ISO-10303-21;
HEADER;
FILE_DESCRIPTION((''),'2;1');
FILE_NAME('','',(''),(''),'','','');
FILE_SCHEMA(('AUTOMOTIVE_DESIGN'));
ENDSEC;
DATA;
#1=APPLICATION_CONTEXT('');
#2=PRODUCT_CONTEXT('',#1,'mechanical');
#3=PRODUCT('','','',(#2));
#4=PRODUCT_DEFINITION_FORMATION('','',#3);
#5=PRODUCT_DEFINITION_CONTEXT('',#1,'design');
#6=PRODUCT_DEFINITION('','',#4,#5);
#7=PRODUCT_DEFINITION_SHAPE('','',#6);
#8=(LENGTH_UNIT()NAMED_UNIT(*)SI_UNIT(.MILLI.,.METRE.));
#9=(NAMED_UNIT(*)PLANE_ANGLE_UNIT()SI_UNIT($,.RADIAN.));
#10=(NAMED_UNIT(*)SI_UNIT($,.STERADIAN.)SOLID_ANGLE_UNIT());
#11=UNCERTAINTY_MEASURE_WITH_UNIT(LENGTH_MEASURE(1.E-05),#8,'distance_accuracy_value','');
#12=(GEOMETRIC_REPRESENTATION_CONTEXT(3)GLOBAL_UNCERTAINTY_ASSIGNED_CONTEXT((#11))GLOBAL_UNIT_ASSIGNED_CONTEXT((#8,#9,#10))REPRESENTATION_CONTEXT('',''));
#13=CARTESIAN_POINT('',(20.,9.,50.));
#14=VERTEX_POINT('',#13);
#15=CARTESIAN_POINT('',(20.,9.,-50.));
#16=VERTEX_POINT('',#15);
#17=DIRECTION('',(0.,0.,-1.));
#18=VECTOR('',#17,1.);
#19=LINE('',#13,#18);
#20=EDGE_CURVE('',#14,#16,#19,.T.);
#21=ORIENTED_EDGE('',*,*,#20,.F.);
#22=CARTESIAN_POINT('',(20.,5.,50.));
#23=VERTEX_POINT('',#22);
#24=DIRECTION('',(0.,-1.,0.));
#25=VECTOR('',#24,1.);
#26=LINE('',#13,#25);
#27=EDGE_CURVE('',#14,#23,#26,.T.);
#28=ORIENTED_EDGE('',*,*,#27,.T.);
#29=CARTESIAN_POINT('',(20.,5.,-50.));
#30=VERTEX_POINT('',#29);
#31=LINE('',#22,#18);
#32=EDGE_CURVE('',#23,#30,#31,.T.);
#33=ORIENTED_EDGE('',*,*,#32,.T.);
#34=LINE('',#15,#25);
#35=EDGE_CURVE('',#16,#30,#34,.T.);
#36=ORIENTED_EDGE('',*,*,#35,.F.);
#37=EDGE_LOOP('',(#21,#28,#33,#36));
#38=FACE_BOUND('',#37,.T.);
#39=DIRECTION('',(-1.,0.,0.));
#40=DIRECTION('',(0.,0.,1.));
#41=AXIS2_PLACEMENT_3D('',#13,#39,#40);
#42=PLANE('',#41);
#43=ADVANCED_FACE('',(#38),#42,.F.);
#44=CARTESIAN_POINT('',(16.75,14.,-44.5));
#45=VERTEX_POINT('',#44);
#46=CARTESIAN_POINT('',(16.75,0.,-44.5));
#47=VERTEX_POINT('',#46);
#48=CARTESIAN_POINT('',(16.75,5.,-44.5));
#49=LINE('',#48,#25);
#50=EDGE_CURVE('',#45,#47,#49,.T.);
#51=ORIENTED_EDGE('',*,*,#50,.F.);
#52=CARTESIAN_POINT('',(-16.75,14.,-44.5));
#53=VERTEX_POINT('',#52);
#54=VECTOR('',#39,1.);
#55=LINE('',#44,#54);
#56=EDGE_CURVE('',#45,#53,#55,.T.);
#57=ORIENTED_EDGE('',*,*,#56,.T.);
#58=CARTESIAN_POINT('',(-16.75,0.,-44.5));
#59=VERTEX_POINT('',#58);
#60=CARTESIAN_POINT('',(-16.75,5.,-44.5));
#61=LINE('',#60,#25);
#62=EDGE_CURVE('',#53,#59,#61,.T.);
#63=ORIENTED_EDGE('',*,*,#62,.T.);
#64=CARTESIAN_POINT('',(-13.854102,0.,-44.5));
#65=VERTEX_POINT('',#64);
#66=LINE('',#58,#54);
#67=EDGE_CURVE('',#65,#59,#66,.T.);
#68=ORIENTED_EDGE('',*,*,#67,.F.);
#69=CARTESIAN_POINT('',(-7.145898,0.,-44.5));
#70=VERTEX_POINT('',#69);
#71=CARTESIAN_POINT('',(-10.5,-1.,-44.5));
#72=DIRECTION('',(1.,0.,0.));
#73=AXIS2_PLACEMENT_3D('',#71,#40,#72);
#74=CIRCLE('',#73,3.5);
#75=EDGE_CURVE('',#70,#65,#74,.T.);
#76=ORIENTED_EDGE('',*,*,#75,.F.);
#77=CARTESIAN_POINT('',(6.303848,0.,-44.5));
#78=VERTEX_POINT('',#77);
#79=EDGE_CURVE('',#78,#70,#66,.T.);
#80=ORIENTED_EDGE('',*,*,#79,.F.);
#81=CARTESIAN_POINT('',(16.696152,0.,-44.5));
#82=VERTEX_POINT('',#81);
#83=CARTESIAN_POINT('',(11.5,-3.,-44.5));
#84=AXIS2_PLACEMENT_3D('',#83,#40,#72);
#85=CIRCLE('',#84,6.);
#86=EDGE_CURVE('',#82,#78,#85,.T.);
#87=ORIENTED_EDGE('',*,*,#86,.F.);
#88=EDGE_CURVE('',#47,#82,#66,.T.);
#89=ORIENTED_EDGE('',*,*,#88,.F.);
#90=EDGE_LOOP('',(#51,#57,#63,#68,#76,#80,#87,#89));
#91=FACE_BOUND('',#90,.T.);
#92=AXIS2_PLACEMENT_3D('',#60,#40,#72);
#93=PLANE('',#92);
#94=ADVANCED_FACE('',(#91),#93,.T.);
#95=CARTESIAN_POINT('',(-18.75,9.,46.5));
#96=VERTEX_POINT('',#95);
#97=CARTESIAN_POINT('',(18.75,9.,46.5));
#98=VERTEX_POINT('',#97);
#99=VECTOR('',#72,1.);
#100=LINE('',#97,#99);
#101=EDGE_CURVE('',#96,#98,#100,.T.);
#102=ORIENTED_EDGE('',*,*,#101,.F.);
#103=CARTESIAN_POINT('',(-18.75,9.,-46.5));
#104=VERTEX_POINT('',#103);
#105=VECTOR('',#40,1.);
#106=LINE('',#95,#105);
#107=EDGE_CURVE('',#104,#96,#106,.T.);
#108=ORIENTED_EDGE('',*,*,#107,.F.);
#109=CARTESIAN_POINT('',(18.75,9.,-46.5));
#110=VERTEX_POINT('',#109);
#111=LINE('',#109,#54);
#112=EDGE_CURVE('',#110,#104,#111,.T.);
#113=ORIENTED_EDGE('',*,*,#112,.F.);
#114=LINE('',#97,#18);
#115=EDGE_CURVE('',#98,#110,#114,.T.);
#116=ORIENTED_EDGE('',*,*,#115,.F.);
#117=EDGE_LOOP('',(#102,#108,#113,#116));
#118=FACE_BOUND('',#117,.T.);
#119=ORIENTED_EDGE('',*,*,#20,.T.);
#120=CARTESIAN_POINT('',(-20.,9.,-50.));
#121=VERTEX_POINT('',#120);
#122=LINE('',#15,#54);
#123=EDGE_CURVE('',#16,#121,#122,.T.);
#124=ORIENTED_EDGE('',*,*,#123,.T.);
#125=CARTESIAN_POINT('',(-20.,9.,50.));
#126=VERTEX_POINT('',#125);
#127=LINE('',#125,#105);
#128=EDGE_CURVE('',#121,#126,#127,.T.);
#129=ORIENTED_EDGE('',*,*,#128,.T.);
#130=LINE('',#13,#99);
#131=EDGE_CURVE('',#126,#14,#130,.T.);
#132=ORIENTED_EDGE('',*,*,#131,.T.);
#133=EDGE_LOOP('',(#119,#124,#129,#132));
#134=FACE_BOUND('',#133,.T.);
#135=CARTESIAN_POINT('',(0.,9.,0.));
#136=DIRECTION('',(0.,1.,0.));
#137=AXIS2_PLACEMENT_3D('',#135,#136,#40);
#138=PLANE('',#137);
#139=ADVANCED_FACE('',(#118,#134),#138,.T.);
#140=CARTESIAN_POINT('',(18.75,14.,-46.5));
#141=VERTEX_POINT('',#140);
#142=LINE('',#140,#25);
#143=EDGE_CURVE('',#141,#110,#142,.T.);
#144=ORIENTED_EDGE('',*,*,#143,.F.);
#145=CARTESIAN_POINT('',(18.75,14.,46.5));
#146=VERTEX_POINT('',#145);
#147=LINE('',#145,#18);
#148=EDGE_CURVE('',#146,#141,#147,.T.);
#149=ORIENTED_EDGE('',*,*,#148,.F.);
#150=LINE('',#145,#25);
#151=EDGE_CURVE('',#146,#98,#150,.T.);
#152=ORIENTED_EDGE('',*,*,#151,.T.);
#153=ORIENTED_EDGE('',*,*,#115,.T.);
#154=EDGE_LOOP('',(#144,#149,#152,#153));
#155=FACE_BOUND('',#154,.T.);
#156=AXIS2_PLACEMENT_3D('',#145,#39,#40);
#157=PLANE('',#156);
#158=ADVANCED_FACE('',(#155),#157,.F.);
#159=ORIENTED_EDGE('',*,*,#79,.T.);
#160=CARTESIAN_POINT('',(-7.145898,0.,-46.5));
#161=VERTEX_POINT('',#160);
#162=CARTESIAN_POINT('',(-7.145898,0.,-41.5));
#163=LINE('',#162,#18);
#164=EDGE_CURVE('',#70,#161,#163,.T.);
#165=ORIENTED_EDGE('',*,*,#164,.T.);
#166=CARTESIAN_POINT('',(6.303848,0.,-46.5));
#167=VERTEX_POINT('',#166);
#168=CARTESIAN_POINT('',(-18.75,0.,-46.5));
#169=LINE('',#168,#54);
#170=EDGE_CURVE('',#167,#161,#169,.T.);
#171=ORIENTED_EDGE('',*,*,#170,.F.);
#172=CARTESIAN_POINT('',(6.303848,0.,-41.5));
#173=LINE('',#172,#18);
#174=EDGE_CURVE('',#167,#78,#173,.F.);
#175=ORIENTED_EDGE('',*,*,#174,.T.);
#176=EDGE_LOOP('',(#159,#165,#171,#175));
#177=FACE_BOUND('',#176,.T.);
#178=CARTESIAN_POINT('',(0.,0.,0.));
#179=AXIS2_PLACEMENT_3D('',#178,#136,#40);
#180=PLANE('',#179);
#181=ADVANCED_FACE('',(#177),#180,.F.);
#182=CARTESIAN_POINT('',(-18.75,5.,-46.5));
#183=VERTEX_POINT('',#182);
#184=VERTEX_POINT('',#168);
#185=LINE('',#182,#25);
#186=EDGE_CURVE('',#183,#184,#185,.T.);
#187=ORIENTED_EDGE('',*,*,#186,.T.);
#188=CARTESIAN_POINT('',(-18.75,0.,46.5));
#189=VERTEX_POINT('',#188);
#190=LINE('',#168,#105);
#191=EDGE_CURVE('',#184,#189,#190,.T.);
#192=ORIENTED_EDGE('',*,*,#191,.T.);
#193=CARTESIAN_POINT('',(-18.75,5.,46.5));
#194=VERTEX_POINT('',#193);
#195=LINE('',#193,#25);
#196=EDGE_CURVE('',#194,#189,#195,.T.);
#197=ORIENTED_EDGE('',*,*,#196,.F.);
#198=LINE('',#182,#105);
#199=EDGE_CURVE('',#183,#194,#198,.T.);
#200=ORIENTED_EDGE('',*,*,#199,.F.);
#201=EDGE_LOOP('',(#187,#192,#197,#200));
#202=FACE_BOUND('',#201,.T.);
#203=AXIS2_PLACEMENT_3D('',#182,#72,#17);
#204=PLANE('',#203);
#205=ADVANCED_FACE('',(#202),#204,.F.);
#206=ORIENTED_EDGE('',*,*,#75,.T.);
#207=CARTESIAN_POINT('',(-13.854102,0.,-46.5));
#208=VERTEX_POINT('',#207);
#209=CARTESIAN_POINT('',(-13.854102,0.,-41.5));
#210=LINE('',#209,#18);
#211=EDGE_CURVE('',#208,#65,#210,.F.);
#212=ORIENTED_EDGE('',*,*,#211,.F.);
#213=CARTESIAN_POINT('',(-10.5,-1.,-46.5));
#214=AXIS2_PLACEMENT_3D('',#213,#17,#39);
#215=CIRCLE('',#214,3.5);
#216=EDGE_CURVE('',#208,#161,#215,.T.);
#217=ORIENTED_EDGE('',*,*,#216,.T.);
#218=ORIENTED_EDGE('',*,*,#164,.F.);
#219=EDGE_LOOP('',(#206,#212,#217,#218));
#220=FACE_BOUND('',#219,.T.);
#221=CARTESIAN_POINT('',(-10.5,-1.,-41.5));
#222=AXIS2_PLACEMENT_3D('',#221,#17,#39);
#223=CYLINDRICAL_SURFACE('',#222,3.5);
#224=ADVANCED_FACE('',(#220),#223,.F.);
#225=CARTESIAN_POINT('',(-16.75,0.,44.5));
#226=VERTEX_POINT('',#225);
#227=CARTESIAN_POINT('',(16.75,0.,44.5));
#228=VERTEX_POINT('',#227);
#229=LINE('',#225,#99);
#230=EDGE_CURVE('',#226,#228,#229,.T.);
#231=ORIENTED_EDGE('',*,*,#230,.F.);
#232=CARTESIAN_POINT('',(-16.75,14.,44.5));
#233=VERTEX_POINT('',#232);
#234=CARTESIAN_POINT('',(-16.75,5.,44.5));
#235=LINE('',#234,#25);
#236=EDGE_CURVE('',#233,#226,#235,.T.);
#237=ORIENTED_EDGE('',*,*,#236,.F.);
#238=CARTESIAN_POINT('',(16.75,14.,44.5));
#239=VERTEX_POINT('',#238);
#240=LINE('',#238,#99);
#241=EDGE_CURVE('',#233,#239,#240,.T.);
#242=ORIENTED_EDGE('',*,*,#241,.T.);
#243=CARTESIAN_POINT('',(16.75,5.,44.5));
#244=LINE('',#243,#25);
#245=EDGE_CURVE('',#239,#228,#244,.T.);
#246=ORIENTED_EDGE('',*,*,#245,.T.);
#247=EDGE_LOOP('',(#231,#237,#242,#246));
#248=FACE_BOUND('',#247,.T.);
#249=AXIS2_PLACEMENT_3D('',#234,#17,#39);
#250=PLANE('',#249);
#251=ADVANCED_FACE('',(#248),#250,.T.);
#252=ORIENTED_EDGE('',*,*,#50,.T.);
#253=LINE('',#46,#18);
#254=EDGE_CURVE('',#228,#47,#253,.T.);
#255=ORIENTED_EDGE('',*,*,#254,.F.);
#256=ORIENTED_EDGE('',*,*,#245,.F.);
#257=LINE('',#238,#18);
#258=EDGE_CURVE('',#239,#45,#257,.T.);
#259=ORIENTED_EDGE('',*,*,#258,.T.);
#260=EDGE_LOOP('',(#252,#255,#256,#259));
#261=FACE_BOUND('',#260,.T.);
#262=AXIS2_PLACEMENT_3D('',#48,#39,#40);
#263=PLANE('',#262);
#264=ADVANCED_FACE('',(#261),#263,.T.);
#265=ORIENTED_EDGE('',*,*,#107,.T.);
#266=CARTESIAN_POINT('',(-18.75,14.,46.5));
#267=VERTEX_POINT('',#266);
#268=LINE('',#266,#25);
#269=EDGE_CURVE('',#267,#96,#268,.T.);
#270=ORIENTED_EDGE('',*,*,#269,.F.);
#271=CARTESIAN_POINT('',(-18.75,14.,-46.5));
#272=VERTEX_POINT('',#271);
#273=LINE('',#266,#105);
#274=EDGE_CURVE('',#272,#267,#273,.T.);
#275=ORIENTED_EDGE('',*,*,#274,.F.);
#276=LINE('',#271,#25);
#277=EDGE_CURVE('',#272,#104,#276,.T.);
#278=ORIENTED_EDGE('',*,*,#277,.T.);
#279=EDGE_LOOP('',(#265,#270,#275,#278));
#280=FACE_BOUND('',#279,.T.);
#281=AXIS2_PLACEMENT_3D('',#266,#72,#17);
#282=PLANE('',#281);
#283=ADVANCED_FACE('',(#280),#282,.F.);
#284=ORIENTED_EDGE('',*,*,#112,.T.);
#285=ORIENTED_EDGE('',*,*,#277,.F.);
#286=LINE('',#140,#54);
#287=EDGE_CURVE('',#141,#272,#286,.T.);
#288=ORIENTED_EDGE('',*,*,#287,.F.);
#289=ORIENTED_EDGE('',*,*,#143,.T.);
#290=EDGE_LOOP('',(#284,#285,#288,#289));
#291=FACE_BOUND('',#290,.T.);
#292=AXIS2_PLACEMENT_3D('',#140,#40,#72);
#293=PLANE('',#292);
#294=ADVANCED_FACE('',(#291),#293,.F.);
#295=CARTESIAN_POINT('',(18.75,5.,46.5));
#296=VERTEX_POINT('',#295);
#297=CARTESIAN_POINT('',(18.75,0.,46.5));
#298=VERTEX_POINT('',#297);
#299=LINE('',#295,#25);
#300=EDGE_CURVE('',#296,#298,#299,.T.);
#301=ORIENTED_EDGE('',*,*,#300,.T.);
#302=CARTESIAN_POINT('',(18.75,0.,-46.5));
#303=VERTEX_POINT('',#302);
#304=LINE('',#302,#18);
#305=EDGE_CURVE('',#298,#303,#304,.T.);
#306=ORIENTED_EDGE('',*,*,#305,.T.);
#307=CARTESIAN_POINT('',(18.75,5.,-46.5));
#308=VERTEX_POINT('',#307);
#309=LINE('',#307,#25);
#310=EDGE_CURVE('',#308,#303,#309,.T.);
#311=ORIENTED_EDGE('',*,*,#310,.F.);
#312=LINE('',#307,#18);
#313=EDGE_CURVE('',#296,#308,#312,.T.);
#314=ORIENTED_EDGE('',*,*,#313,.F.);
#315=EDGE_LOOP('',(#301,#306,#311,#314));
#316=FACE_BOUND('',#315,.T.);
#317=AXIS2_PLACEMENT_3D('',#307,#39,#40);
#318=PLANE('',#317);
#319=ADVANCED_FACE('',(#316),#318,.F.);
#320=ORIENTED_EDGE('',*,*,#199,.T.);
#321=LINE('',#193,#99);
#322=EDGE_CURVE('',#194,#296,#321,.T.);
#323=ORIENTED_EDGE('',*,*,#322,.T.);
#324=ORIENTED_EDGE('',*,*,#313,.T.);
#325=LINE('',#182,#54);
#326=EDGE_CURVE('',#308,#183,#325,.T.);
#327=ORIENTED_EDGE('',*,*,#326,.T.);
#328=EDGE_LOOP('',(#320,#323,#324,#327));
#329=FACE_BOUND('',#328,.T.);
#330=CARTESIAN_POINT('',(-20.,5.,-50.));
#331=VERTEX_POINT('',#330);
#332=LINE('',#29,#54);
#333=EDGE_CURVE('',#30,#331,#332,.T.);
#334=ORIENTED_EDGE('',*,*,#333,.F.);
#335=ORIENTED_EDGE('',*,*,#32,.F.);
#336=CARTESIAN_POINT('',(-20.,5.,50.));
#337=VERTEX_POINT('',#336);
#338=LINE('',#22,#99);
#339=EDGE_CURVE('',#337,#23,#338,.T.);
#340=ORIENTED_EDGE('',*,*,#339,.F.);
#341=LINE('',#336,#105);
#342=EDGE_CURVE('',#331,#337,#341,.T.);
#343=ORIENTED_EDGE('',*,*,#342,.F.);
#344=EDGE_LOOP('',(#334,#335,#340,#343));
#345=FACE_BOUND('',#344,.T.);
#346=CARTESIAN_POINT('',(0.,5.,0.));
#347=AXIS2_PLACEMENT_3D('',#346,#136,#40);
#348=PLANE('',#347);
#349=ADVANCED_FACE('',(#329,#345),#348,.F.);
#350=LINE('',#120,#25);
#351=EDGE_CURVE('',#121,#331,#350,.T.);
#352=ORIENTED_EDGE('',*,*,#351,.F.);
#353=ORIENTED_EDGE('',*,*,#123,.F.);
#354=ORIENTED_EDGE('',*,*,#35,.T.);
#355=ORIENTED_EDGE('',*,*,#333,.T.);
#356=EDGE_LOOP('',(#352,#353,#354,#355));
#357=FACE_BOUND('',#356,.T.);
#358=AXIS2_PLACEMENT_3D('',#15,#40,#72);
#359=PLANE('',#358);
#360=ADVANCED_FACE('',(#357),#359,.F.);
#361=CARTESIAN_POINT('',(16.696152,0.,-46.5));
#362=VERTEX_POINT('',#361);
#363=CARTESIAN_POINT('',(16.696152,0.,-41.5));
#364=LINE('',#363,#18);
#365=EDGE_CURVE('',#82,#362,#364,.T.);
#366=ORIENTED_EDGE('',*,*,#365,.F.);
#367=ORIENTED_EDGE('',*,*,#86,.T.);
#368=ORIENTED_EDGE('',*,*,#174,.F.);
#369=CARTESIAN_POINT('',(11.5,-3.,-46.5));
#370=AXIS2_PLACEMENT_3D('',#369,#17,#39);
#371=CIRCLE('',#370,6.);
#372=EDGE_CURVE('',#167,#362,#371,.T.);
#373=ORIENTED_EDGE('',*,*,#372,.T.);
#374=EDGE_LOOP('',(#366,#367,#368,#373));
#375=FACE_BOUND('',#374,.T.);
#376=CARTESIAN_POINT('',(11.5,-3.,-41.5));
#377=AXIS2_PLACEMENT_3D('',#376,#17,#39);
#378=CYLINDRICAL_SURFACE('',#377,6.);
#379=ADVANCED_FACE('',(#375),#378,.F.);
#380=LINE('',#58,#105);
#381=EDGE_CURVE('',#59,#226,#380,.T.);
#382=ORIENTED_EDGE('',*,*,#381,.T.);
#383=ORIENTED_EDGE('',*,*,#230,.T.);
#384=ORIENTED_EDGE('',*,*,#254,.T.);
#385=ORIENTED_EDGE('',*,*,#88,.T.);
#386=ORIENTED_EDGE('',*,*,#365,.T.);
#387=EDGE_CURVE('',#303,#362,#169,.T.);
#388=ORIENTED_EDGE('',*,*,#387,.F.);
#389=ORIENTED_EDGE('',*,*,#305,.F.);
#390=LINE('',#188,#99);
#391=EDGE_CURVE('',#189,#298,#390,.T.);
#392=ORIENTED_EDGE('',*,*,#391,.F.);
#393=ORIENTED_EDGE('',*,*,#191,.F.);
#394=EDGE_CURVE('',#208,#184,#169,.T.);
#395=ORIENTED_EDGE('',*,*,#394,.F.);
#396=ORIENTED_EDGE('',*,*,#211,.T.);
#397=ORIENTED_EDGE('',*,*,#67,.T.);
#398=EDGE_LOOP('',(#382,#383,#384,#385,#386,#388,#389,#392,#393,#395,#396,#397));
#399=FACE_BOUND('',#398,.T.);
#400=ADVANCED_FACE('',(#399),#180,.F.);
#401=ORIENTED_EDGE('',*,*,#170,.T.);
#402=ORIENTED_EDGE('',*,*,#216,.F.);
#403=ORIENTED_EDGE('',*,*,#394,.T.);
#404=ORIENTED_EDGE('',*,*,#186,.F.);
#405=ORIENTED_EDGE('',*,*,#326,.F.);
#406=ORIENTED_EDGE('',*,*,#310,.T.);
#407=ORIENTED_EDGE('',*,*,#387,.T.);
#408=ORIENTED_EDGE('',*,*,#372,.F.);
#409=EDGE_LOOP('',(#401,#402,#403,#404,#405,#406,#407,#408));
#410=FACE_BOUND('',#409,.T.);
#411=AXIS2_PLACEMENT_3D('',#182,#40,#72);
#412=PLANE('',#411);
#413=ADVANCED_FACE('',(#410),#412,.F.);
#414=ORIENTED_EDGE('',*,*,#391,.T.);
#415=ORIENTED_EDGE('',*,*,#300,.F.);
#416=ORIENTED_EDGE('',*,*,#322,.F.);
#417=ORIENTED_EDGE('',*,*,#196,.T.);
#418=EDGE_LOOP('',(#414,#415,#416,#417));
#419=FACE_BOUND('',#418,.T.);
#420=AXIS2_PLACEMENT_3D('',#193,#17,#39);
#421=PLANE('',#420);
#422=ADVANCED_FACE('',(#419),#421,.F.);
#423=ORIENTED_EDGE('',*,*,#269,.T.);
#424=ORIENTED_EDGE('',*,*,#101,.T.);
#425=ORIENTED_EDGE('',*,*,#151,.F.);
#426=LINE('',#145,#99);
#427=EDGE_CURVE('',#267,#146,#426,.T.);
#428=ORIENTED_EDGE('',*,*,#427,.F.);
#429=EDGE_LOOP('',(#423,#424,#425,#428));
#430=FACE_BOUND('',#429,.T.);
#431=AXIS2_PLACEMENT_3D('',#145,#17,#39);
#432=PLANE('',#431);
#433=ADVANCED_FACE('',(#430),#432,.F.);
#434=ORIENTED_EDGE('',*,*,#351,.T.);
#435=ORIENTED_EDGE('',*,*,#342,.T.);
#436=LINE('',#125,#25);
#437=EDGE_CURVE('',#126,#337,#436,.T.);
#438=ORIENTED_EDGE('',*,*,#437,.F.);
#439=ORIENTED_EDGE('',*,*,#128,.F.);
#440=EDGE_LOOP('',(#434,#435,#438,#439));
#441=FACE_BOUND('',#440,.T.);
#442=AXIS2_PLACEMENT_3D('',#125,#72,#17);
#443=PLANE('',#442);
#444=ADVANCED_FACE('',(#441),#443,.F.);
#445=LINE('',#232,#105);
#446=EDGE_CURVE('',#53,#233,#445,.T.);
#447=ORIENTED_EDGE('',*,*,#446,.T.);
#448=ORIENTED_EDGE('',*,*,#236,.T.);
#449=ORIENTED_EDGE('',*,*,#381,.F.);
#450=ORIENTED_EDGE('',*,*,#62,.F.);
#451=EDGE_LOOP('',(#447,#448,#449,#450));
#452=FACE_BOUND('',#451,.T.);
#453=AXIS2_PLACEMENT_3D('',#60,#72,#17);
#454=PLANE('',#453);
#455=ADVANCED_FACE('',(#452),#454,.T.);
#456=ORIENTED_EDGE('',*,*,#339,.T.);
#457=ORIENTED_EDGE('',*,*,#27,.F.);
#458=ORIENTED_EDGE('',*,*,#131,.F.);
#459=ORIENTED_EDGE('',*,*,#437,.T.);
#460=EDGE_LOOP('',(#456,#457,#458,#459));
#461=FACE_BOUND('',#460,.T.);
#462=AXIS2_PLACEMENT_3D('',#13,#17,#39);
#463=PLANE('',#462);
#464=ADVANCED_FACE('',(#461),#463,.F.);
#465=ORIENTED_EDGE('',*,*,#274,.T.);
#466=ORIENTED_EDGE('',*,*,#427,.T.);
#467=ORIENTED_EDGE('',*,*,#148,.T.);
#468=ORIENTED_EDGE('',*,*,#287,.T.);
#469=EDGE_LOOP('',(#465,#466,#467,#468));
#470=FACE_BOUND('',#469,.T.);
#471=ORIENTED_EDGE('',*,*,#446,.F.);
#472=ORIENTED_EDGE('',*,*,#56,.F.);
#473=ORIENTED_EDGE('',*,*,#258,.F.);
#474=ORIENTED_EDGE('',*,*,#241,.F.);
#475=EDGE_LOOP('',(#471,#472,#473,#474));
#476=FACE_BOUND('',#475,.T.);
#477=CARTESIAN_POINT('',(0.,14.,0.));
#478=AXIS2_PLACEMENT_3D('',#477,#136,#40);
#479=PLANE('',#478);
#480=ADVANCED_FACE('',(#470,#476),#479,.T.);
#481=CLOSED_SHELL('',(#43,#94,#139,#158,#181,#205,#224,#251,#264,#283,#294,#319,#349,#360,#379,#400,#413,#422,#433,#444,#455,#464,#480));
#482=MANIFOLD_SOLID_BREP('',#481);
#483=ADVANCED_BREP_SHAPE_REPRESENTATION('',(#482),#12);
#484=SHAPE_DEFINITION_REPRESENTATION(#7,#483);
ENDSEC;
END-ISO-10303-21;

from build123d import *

# Parameters (mm, degrees)
SKETCH1_W           = 37.5
SKETCH1_H           = 93
SKETCH1_W_2         = 33.5
SKETCH1_H_2         = 89
BOSS_EXTRUDE1_DEPTH = 5
SKETCH2_W           = 40
SKETCH2_H           = 100
SKETCH2_W_2         = 33.5
SKETCH2_H_2         = 89
BOSS_EXTRUDE2_DEPTH = 4
SKETCH3_W           = 37.5
SKETCH3_H           = 93
SKETCH3_W_2         = 33.5
SKETCH3_H_2         = 89
BOSS_EXTRUDE3_DEPTH = 5
SKETCH4_R           = 6
CUT_EXTRUDE1_DEPTH  = 5
SKETCH5_R           = 3.5
CUT_EXTRUDE2_DEPTH  = 5


with BuildPart() as part:
    # Sketch1 → Boss-Extrude1 (new body)
    with BuildSketch(Plane(origin=(0, 0, 0), x_dir=(1, 0, 0), z_dir=(0, 1, 0))):
        Rectangle(SKETCH1_W, SKETCH1_H)
        Rectangle(SKETCH1_W_2, SKETCH1_H_2, mode=Mode.SUBTRACT)
    extrude(amount=BOSS_EXTRUDE1_DEPTH)

    # Sketch2 → Boss-Extrude2 (add)
    with BuildSketch(Plane(origin=(0, 5, 0), x_dir=(1, 0, 0), z_dir=(0, 1, 0))):
        Rectangle(SKETCH2_W, SKETCH2_H)
        Rectangle(SKETCH2_W_2, SKETCH2_H_2, mode=Mode.SUBTRACT)
    extrude(amount=BOSS_EXTRUDE2_DEPTH)

    # Sketch3 → Boss-Extrude3 (add)
    with BuildSketch(Plane(origin=(0, 9, 0), x_dir=(1, 0, 0), z_dir=(0, 1, 0))):
        Rectangle(SKETCH3_W, SKETCH3_H)
        Rectangle(SKETCH3_W_2, SKETCH3_H_2, mode=Mode.SUBTRACT)
    extrude(amount=BOSS_EXTRUDE3_DEPTH)

    # Sketch4 → Cut-Extrude1 (cut)
    with BuildSketch(Plane(origin=(0, 0, -46.5), x_dir=(-1, 0, 0), z_dir=(0, 0, -1))):
        with Locations((-11.5, -3)):
            Circle(SKETCH4_R)
    extrude(amount=-CUT_EXTRUDE1_DEPTH, mode=Mode.SUBTRACT)

    # Sketch5 → Cut-Extrude2 (cut)
    with BuildSketch(Plane(origin=(0, 0, -46.5), x_dir=(-1, 0, 0), z_dir=(0, 0, -1))):
        with Locations((10.5, -1)):
            Circle(SKETCH5_R)
    extrude(amount=-CUT_EXTRUDE2_DEPTH, mode=Mode.SUBTRACT)


solid = part.part
